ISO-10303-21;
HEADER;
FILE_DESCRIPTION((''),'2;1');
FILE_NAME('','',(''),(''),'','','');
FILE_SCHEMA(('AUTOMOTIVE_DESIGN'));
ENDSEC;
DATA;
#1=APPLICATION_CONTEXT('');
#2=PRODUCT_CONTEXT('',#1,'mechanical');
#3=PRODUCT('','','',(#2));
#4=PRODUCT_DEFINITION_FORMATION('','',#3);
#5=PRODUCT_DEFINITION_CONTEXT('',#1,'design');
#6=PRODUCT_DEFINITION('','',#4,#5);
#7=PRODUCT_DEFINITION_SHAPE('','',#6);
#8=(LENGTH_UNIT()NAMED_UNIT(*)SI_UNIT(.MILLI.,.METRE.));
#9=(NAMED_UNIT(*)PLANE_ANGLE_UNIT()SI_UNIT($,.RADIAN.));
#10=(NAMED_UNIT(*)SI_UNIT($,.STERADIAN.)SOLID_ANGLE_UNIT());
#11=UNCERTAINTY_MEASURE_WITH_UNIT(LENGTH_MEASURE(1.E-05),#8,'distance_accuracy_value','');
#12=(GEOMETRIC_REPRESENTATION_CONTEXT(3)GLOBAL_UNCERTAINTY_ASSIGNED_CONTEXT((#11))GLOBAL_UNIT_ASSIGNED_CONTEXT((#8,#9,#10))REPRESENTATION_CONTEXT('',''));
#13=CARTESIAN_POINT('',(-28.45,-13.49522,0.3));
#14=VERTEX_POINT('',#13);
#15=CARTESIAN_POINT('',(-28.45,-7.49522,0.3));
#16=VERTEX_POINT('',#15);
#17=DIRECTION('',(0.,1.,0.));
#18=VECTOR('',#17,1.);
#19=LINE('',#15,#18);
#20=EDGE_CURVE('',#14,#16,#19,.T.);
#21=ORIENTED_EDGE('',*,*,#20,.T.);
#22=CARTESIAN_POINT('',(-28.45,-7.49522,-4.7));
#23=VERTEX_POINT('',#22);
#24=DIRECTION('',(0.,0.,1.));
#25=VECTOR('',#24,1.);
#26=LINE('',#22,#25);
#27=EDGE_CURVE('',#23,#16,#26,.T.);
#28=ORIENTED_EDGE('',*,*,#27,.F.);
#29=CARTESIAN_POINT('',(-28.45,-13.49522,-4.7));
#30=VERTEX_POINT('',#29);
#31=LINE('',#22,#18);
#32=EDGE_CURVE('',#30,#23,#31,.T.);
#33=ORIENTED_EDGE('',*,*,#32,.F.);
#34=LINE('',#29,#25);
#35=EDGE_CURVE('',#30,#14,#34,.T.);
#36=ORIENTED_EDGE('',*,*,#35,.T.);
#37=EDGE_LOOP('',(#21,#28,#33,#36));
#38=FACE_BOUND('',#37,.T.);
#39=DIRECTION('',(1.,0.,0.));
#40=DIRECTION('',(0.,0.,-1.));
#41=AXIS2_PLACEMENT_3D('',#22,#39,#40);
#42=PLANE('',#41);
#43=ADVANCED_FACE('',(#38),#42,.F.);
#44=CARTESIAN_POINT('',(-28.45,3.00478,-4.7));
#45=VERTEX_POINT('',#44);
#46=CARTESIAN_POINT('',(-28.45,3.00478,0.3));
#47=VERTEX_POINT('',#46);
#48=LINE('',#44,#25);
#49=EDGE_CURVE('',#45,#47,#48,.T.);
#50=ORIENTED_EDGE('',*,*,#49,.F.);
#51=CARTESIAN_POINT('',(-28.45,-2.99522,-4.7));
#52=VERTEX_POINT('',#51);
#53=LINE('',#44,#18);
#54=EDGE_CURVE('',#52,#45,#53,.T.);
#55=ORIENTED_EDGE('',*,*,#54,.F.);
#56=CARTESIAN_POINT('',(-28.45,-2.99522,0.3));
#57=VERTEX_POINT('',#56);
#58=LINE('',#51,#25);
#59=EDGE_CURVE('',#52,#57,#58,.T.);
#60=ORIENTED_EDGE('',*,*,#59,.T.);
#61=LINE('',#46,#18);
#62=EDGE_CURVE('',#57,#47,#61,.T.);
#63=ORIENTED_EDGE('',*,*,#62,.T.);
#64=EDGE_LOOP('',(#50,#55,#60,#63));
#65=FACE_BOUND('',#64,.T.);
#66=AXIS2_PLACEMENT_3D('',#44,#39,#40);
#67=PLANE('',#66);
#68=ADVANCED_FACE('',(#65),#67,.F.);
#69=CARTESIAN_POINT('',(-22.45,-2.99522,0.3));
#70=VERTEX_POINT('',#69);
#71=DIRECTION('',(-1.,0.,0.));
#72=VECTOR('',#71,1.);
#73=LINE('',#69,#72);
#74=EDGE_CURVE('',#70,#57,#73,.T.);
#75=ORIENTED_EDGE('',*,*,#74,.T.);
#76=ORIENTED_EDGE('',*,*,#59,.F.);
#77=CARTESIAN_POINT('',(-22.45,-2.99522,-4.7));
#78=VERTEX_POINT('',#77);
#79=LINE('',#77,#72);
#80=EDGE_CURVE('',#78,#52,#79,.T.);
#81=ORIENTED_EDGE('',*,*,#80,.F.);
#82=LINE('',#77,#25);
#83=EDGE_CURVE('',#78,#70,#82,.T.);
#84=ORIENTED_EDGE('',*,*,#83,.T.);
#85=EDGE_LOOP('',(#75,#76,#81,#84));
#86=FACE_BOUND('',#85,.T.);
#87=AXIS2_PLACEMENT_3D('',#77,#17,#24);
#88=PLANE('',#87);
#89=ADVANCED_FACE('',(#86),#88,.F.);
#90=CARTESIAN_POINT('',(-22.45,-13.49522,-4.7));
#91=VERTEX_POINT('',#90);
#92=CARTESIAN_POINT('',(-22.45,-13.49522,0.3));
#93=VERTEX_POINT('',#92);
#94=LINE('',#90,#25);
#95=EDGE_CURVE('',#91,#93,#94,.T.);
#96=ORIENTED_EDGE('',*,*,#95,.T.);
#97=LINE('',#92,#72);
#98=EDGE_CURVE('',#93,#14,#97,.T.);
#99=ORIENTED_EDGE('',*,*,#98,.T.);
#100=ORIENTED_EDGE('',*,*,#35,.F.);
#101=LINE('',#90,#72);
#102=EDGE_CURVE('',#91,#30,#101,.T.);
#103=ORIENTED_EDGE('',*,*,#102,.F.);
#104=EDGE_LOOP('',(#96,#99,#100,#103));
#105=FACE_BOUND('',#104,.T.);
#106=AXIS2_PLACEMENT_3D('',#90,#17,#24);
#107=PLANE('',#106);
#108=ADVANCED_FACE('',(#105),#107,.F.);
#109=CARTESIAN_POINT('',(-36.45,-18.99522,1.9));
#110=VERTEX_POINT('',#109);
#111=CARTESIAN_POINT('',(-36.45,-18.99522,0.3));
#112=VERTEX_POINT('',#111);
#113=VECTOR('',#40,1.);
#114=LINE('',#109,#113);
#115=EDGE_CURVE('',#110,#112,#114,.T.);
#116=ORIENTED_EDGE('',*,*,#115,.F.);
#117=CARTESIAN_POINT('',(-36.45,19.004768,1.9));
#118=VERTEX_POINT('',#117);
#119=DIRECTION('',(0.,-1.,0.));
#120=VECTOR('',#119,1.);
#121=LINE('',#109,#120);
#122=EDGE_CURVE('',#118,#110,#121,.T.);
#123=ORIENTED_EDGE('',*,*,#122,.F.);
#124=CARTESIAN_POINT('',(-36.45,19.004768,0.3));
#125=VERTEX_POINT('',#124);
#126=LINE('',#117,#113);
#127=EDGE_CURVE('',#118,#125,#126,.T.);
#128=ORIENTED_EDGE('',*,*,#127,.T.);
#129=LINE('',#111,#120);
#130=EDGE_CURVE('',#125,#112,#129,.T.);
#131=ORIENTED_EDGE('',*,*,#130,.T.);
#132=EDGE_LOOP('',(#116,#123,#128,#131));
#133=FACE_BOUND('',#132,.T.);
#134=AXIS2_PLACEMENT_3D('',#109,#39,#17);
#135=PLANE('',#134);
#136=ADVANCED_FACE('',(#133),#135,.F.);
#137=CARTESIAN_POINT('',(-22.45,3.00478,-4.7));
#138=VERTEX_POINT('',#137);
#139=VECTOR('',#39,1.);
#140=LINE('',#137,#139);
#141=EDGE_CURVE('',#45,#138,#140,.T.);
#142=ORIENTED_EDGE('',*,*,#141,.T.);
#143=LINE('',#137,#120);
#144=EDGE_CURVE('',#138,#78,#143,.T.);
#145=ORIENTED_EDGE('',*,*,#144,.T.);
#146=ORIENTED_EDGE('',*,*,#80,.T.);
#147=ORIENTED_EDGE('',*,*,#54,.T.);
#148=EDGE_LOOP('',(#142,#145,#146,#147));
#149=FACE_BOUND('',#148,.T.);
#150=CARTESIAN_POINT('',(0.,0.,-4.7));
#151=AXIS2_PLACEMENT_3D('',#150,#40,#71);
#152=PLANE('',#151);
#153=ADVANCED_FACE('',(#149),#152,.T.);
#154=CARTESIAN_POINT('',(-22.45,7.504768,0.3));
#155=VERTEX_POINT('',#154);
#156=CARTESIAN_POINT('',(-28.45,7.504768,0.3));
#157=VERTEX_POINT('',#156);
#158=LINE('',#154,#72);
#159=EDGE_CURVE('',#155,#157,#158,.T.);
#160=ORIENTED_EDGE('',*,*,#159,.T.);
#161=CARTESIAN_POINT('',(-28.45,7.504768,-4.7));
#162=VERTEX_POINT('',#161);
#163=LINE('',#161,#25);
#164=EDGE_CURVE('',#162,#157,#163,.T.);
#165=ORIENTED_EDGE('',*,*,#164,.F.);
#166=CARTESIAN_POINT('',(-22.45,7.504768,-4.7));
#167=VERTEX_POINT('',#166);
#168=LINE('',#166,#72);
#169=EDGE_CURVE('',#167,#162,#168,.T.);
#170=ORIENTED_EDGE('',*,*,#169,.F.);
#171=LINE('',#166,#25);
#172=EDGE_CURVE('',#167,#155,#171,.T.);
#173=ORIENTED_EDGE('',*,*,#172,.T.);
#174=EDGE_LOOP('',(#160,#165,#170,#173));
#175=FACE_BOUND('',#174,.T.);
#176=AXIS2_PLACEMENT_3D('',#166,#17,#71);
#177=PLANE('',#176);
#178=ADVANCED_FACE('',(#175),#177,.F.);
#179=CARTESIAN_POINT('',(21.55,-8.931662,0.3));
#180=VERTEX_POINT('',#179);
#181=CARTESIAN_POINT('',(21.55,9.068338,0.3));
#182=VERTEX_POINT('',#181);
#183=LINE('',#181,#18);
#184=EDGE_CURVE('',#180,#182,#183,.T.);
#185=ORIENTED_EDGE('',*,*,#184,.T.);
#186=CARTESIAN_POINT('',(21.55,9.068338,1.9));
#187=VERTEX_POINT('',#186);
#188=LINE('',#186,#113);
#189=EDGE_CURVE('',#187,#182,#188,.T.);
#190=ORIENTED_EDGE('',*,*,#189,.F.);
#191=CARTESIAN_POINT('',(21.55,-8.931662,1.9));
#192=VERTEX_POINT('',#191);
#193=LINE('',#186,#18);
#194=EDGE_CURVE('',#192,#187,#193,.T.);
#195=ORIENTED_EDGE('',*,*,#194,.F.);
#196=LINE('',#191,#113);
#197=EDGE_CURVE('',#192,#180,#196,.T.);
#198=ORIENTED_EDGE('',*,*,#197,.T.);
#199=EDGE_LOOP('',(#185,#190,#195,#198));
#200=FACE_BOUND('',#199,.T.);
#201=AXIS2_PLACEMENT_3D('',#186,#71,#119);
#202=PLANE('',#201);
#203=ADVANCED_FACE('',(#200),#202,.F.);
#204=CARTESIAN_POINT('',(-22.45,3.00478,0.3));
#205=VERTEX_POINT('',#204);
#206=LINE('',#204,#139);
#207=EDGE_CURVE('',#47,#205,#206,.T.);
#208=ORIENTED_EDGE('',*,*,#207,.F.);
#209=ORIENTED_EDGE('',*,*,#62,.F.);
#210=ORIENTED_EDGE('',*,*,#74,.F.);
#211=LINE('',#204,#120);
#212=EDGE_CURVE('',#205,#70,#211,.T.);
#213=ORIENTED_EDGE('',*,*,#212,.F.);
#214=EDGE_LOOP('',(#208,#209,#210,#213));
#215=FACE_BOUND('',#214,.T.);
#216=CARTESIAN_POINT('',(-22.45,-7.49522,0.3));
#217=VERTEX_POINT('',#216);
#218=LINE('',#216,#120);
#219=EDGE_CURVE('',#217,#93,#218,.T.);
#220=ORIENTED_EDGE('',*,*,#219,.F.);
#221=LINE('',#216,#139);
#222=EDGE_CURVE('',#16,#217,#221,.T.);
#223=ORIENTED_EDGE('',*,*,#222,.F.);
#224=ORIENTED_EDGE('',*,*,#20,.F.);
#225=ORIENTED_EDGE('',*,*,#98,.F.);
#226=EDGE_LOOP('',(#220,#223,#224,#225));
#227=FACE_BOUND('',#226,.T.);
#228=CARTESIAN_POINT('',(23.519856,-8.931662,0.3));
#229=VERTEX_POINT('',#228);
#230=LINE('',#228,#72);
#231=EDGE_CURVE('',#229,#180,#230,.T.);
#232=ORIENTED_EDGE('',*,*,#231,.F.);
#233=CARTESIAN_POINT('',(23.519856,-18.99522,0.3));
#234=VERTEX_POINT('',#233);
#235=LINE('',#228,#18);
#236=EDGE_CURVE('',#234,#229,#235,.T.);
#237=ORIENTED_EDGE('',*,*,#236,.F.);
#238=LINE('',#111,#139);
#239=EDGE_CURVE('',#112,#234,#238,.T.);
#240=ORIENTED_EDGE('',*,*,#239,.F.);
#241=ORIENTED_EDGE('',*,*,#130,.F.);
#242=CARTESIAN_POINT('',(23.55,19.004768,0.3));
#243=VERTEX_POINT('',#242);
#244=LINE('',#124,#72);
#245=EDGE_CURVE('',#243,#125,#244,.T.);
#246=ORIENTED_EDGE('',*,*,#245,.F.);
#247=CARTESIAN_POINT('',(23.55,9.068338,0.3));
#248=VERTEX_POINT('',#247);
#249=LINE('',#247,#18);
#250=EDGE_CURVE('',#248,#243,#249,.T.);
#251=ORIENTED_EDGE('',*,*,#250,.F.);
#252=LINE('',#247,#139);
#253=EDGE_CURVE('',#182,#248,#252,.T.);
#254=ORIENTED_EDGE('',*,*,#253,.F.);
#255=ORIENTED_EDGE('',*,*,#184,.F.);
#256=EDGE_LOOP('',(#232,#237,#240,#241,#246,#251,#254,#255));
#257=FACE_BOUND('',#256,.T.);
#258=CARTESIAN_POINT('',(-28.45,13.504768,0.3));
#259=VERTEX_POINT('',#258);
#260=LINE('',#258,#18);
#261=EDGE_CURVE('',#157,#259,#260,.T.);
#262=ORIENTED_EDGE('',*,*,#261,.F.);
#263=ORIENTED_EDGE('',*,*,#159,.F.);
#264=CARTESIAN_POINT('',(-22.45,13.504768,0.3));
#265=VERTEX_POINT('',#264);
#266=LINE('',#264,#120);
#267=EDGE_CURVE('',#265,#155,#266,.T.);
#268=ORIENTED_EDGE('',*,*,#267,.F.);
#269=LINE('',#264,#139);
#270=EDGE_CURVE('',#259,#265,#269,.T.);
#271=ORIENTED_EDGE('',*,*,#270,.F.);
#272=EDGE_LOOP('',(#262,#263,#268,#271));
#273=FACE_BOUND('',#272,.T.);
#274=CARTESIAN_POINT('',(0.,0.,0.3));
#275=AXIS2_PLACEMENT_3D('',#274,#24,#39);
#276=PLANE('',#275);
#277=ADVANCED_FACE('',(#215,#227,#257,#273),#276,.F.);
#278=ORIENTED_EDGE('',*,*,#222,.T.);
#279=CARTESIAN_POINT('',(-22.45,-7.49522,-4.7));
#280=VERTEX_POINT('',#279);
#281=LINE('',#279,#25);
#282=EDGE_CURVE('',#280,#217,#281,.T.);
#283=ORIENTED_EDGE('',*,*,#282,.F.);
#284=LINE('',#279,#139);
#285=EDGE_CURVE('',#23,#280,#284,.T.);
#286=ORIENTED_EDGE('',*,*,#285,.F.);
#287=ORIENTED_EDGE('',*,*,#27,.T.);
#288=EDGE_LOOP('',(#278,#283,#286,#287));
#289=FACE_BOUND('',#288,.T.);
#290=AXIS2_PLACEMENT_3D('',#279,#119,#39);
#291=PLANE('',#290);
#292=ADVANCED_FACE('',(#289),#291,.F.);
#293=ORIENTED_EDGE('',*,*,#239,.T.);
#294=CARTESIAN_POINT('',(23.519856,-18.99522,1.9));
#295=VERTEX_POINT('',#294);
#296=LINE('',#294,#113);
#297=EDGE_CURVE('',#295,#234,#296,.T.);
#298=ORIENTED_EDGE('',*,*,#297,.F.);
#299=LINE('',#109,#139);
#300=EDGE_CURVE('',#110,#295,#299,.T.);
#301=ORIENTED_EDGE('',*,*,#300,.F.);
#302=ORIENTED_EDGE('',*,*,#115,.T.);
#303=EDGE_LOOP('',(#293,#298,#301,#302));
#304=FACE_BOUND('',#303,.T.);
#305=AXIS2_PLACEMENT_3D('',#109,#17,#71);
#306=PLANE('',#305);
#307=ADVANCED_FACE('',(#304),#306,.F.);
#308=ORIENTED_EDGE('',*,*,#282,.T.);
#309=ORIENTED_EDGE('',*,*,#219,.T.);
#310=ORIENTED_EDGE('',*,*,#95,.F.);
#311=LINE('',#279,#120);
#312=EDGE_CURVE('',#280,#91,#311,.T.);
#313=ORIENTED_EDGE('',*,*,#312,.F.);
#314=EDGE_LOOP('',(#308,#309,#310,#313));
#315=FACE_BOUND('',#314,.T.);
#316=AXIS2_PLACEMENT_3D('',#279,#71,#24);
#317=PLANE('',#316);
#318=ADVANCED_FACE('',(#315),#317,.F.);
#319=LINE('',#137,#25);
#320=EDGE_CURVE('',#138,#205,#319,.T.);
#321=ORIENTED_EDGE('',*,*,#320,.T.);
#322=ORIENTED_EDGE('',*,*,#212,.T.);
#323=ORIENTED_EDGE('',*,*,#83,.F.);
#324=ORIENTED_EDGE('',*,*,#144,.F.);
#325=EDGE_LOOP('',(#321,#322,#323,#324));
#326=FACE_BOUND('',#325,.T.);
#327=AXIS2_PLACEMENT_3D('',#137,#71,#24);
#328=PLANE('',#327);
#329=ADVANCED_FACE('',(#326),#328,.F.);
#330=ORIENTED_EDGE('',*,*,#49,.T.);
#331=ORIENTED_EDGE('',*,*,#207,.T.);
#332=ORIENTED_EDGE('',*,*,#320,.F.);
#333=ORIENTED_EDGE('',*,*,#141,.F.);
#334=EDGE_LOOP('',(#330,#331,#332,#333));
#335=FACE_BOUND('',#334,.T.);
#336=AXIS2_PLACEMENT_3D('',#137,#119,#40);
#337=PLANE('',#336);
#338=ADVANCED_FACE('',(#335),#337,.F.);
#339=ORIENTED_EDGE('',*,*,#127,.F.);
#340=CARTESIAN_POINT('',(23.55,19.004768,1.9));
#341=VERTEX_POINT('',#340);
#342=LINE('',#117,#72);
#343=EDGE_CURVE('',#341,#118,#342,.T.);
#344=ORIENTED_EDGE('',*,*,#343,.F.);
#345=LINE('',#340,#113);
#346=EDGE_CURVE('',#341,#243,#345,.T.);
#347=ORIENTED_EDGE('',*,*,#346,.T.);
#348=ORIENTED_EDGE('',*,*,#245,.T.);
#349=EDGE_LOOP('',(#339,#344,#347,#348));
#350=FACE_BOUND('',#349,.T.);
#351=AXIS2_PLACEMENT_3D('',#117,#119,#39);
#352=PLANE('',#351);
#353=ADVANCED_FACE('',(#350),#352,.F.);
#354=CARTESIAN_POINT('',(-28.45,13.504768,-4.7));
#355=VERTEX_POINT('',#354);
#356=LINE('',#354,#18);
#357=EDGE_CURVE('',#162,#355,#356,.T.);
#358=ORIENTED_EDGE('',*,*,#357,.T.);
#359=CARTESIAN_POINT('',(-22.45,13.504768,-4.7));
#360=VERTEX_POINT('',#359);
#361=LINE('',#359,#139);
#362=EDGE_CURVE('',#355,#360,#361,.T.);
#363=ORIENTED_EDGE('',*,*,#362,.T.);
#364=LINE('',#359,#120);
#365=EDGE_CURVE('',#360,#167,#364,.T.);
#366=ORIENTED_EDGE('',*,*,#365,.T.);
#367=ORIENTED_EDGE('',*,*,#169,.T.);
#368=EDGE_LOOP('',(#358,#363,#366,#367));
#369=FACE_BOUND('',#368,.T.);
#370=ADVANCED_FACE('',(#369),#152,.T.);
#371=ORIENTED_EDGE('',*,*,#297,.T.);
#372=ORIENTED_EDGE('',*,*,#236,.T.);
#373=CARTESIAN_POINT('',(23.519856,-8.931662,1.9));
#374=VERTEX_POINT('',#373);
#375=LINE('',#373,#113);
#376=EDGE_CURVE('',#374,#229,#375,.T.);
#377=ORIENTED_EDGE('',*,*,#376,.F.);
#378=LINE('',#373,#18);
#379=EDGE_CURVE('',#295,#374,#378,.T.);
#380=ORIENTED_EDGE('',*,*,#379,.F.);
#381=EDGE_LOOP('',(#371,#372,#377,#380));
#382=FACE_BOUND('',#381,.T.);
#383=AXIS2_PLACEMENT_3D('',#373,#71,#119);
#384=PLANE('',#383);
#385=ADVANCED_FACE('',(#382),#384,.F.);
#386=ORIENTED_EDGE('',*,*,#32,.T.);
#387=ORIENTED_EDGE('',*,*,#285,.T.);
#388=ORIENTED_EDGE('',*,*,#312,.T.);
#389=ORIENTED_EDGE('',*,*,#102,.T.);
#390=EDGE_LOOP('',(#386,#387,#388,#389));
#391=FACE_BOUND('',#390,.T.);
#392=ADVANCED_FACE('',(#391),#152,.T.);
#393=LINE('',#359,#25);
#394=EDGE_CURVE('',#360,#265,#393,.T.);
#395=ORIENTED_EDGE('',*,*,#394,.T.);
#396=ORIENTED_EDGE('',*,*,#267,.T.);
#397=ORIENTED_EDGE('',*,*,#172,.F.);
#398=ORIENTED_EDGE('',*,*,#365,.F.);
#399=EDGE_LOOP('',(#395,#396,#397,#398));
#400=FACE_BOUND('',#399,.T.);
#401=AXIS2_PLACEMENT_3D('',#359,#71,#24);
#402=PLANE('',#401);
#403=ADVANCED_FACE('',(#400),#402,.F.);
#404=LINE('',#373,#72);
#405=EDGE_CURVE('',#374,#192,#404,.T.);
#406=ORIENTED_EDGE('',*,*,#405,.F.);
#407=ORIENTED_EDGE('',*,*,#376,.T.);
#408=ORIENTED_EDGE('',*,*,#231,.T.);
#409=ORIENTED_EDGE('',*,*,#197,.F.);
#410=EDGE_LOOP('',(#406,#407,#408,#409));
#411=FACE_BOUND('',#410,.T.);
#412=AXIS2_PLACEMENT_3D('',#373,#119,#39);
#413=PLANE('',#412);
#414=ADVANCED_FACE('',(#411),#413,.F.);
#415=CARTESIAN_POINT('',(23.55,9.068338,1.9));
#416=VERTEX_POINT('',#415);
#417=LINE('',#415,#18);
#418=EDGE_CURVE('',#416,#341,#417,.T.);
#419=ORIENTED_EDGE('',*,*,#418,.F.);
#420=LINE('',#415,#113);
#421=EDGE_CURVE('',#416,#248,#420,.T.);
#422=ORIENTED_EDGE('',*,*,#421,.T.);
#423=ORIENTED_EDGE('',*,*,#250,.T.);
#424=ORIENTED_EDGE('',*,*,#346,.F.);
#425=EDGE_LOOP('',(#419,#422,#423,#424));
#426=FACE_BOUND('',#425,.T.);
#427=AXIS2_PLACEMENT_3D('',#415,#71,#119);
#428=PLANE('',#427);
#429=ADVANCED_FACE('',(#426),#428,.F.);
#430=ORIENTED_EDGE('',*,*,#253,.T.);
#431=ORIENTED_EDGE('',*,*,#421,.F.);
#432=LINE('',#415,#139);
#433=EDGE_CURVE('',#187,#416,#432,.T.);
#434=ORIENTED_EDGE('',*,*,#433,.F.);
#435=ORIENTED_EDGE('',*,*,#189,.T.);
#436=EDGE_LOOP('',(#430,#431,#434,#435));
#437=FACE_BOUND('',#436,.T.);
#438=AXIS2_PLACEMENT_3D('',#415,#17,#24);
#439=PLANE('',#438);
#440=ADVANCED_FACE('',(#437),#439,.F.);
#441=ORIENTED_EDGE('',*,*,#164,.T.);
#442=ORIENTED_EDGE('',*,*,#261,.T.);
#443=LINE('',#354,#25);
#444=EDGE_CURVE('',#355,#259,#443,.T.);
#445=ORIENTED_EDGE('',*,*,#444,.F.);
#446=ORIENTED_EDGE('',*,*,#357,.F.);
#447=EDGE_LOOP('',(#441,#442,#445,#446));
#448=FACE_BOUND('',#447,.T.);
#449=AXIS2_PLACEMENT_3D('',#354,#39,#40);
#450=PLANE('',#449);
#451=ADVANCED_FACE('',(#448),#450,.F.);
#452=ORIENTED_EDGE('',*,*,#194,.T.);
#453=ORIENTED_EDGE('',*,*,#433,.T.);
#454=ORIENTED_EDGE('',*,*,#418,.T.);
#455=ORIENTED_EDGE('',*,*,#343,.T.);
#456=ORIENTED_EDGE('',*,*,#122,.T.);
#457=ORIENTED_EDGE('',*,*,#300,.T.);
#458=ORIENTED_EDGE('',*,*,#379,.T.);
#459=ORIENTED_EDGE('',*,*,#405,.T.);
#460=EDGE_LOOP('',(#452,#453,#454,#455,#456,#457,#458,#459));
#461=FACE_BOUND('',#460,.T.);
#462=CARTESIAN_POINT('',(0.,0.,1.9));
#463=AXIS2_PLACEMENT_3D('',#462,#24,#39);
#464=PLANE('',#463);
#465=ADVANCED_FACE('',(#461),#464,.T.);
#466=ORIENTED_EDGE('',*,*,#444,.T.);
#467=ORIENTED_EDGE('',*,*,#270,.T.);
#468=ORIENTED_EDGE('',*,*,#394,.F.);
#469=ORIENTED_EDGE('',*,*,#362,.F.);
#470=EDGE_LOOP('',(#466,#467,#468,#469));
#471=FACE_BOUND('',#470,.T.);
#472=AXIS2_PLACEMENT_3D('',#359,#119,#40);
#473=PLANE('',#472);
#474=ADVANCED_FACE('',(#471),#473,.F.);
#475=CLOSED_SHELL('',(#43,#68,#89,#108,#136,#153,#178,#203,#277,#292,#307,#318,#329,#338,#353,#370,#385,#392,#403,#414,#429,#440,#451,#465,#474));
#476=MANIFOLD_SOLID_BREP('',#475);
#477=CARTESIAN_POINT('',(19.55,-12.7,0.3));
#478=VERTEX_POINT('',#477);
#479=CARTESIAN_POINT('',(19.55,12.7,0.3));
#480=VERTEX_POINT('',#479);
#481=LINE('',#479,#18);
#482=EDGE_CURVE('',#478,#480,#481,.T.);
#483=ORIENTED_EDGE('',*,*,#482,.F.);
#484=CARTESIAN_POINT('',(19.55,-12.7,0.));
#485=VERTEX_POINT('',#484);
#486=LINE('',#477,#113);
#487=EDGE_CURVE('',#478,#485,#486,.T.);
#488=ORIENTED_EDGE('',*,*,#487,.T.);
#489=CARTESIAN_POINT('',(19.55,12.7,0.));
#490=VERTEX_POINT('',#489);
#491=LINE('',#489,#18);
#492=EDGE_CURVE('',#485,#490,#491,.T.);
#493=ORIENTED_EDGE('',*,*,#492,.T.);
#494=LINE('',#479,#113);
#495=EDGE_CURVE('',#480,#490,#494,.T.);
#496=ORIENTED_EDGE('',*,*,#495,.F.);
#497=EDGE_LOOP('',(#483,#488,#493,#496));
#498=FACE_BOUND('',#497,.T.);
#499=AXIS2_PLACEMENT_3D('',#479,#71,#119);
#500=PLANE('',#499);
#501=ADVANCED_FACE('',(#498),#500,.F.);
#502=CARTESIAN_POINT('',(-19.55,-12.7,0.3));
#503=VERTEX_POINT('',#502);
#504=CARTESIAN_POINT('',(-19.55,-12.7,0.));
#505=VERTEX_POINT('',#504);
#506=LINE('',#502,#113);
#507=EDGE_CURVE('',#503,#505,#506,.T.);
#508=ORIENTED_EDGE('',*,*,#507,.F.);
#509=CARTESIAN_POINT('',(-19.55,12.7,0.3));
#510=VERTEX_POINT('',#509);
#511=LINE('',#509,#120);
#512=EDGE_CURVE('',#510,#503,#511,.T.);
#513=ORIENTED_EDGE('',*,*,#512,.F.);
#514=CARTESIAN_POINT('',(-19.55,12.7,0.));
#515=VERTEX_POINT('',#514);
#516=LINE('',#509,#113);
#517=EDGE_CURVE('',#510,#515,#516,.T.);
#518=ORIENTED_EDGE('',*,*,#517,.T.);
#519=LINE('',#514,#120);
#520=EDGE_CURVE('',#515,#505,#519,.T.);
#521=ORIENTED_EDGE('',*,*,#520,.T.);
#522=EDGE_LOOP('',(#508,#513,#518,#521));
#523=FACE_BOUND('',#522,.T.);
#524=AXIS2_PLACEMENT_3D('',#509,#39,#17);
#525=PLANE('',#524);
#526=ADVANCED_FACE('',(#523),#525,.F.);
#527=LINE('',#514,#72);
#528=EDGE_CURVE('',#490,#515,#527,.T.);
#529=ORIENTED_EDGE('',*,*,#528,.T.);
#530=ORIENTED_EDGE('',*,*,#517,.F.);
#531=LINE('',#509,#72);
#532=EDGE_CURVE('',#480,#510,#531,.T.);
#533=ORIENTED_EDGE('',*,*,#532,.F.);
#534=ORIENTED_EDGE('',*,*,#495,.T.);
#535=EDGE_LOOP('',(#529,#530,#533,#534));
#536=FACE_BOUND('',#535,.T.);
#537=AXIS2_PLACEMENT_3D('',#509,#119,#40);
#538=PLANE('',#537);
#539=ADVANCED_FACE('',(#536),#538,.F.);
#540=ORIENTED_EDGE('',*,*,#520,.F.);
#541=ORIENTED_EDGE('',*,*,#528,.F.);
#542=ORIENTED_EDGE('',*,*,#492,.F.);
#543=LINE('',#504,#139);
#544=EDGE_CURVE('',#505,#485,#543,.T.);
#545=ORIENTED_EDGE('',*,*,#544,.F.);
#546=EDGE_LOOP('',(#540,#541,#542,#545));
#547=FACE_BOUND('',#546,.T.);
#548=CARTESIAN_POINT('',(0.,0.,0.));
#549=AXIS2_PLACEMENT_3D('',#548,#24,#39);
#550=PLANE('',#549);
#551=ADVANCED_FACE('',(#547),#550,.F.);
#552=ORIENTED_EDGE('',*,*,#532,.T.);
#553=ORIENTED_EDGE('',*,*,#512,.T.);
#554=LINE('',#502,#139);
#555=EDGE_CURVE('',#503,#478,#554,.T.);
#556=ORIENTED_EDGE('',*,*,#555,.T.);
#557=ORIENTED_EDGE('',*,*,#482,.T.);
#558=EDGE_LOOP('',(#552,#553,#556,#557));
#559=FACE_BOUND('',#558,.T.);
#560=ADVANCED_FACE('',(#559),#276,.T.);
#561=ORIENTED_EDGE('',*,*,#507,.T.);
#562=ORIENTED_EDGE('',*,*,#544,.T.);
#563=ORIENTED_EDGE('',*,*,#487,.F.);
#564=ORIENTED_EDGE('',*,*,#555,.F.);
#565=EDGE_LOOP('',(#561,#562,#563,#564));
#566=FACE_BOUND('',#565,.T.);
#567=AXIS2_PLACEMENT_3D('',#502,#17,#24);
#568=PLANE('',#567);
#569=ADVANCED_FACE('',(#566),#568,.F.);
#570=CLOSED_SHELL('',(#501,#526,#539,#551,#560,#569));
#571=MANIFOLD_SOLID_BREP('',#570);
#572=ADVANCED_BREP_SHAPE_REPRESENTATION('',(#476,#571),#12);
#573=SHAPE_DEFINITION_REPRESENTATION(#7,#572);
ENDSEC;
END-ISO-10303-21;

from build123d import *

# Parameters (mm, degrees)
SKETCH_1_W      = 39.1
SKETCH_1_H      = 25.4
EXTRUDE_1_DEPTH = 0.3
EXTRUDE_2_DEPTH = 1.6
SKETCH_3_W      = 6
SKETCH_3_H      = 6
EXTRUDE_3_DEPTH = 5


with BuildPart() as part:
    # 草图1 → 凸台-拉伸1 (new body)
    with BuildSketch(Plane.XY):
        Rectangle(SKETCH_1_W, SKETCH_1_H)
    extrude(amount=EXTRUDE_1_DEPTH)


with BuildPart() as body_2:
    # 草图2 → 凸台-拉伸2 (new body)
    with BuildSketch(Plane.XY.offset(0.3)):
        Polygon((23.55, 9.068338111), (23.55, 19.004767958), (-36.45, 19.004767958), (-36.45, -18.995220086), (23.51985639, -18.995220086), (23.51985639, -8.931661889), (21.55, -8.931661889), (21.55, 9.068338111), align=None)
    extrude(amount=EXTRUDE_2_DEPTH)

    # 草图3 → 凸台-拉伸3 (add)
    with BuildSketch(Plane(origin=(0, 0, 0.3), x_dir=(-1, 0, 0), z_dir=(0, 0, -1))):
        with Locations((25.45, 10.504767958)):
            Rectangle(SKETCH_3_W, SKETCH_3_H)
        with Locations((25.45, 0.004779914)):
            Rectangle(SKETCH_3_W, SKETCH_3_H)
        with Locations((25.45, -10.495220086)):
            Rectangle(SKETCH_3_W, SKETCH_3_H)
    extrude(amount=EXTRUDE_3_DEPTH)


solid = Compound([part.part, body_2.part])
